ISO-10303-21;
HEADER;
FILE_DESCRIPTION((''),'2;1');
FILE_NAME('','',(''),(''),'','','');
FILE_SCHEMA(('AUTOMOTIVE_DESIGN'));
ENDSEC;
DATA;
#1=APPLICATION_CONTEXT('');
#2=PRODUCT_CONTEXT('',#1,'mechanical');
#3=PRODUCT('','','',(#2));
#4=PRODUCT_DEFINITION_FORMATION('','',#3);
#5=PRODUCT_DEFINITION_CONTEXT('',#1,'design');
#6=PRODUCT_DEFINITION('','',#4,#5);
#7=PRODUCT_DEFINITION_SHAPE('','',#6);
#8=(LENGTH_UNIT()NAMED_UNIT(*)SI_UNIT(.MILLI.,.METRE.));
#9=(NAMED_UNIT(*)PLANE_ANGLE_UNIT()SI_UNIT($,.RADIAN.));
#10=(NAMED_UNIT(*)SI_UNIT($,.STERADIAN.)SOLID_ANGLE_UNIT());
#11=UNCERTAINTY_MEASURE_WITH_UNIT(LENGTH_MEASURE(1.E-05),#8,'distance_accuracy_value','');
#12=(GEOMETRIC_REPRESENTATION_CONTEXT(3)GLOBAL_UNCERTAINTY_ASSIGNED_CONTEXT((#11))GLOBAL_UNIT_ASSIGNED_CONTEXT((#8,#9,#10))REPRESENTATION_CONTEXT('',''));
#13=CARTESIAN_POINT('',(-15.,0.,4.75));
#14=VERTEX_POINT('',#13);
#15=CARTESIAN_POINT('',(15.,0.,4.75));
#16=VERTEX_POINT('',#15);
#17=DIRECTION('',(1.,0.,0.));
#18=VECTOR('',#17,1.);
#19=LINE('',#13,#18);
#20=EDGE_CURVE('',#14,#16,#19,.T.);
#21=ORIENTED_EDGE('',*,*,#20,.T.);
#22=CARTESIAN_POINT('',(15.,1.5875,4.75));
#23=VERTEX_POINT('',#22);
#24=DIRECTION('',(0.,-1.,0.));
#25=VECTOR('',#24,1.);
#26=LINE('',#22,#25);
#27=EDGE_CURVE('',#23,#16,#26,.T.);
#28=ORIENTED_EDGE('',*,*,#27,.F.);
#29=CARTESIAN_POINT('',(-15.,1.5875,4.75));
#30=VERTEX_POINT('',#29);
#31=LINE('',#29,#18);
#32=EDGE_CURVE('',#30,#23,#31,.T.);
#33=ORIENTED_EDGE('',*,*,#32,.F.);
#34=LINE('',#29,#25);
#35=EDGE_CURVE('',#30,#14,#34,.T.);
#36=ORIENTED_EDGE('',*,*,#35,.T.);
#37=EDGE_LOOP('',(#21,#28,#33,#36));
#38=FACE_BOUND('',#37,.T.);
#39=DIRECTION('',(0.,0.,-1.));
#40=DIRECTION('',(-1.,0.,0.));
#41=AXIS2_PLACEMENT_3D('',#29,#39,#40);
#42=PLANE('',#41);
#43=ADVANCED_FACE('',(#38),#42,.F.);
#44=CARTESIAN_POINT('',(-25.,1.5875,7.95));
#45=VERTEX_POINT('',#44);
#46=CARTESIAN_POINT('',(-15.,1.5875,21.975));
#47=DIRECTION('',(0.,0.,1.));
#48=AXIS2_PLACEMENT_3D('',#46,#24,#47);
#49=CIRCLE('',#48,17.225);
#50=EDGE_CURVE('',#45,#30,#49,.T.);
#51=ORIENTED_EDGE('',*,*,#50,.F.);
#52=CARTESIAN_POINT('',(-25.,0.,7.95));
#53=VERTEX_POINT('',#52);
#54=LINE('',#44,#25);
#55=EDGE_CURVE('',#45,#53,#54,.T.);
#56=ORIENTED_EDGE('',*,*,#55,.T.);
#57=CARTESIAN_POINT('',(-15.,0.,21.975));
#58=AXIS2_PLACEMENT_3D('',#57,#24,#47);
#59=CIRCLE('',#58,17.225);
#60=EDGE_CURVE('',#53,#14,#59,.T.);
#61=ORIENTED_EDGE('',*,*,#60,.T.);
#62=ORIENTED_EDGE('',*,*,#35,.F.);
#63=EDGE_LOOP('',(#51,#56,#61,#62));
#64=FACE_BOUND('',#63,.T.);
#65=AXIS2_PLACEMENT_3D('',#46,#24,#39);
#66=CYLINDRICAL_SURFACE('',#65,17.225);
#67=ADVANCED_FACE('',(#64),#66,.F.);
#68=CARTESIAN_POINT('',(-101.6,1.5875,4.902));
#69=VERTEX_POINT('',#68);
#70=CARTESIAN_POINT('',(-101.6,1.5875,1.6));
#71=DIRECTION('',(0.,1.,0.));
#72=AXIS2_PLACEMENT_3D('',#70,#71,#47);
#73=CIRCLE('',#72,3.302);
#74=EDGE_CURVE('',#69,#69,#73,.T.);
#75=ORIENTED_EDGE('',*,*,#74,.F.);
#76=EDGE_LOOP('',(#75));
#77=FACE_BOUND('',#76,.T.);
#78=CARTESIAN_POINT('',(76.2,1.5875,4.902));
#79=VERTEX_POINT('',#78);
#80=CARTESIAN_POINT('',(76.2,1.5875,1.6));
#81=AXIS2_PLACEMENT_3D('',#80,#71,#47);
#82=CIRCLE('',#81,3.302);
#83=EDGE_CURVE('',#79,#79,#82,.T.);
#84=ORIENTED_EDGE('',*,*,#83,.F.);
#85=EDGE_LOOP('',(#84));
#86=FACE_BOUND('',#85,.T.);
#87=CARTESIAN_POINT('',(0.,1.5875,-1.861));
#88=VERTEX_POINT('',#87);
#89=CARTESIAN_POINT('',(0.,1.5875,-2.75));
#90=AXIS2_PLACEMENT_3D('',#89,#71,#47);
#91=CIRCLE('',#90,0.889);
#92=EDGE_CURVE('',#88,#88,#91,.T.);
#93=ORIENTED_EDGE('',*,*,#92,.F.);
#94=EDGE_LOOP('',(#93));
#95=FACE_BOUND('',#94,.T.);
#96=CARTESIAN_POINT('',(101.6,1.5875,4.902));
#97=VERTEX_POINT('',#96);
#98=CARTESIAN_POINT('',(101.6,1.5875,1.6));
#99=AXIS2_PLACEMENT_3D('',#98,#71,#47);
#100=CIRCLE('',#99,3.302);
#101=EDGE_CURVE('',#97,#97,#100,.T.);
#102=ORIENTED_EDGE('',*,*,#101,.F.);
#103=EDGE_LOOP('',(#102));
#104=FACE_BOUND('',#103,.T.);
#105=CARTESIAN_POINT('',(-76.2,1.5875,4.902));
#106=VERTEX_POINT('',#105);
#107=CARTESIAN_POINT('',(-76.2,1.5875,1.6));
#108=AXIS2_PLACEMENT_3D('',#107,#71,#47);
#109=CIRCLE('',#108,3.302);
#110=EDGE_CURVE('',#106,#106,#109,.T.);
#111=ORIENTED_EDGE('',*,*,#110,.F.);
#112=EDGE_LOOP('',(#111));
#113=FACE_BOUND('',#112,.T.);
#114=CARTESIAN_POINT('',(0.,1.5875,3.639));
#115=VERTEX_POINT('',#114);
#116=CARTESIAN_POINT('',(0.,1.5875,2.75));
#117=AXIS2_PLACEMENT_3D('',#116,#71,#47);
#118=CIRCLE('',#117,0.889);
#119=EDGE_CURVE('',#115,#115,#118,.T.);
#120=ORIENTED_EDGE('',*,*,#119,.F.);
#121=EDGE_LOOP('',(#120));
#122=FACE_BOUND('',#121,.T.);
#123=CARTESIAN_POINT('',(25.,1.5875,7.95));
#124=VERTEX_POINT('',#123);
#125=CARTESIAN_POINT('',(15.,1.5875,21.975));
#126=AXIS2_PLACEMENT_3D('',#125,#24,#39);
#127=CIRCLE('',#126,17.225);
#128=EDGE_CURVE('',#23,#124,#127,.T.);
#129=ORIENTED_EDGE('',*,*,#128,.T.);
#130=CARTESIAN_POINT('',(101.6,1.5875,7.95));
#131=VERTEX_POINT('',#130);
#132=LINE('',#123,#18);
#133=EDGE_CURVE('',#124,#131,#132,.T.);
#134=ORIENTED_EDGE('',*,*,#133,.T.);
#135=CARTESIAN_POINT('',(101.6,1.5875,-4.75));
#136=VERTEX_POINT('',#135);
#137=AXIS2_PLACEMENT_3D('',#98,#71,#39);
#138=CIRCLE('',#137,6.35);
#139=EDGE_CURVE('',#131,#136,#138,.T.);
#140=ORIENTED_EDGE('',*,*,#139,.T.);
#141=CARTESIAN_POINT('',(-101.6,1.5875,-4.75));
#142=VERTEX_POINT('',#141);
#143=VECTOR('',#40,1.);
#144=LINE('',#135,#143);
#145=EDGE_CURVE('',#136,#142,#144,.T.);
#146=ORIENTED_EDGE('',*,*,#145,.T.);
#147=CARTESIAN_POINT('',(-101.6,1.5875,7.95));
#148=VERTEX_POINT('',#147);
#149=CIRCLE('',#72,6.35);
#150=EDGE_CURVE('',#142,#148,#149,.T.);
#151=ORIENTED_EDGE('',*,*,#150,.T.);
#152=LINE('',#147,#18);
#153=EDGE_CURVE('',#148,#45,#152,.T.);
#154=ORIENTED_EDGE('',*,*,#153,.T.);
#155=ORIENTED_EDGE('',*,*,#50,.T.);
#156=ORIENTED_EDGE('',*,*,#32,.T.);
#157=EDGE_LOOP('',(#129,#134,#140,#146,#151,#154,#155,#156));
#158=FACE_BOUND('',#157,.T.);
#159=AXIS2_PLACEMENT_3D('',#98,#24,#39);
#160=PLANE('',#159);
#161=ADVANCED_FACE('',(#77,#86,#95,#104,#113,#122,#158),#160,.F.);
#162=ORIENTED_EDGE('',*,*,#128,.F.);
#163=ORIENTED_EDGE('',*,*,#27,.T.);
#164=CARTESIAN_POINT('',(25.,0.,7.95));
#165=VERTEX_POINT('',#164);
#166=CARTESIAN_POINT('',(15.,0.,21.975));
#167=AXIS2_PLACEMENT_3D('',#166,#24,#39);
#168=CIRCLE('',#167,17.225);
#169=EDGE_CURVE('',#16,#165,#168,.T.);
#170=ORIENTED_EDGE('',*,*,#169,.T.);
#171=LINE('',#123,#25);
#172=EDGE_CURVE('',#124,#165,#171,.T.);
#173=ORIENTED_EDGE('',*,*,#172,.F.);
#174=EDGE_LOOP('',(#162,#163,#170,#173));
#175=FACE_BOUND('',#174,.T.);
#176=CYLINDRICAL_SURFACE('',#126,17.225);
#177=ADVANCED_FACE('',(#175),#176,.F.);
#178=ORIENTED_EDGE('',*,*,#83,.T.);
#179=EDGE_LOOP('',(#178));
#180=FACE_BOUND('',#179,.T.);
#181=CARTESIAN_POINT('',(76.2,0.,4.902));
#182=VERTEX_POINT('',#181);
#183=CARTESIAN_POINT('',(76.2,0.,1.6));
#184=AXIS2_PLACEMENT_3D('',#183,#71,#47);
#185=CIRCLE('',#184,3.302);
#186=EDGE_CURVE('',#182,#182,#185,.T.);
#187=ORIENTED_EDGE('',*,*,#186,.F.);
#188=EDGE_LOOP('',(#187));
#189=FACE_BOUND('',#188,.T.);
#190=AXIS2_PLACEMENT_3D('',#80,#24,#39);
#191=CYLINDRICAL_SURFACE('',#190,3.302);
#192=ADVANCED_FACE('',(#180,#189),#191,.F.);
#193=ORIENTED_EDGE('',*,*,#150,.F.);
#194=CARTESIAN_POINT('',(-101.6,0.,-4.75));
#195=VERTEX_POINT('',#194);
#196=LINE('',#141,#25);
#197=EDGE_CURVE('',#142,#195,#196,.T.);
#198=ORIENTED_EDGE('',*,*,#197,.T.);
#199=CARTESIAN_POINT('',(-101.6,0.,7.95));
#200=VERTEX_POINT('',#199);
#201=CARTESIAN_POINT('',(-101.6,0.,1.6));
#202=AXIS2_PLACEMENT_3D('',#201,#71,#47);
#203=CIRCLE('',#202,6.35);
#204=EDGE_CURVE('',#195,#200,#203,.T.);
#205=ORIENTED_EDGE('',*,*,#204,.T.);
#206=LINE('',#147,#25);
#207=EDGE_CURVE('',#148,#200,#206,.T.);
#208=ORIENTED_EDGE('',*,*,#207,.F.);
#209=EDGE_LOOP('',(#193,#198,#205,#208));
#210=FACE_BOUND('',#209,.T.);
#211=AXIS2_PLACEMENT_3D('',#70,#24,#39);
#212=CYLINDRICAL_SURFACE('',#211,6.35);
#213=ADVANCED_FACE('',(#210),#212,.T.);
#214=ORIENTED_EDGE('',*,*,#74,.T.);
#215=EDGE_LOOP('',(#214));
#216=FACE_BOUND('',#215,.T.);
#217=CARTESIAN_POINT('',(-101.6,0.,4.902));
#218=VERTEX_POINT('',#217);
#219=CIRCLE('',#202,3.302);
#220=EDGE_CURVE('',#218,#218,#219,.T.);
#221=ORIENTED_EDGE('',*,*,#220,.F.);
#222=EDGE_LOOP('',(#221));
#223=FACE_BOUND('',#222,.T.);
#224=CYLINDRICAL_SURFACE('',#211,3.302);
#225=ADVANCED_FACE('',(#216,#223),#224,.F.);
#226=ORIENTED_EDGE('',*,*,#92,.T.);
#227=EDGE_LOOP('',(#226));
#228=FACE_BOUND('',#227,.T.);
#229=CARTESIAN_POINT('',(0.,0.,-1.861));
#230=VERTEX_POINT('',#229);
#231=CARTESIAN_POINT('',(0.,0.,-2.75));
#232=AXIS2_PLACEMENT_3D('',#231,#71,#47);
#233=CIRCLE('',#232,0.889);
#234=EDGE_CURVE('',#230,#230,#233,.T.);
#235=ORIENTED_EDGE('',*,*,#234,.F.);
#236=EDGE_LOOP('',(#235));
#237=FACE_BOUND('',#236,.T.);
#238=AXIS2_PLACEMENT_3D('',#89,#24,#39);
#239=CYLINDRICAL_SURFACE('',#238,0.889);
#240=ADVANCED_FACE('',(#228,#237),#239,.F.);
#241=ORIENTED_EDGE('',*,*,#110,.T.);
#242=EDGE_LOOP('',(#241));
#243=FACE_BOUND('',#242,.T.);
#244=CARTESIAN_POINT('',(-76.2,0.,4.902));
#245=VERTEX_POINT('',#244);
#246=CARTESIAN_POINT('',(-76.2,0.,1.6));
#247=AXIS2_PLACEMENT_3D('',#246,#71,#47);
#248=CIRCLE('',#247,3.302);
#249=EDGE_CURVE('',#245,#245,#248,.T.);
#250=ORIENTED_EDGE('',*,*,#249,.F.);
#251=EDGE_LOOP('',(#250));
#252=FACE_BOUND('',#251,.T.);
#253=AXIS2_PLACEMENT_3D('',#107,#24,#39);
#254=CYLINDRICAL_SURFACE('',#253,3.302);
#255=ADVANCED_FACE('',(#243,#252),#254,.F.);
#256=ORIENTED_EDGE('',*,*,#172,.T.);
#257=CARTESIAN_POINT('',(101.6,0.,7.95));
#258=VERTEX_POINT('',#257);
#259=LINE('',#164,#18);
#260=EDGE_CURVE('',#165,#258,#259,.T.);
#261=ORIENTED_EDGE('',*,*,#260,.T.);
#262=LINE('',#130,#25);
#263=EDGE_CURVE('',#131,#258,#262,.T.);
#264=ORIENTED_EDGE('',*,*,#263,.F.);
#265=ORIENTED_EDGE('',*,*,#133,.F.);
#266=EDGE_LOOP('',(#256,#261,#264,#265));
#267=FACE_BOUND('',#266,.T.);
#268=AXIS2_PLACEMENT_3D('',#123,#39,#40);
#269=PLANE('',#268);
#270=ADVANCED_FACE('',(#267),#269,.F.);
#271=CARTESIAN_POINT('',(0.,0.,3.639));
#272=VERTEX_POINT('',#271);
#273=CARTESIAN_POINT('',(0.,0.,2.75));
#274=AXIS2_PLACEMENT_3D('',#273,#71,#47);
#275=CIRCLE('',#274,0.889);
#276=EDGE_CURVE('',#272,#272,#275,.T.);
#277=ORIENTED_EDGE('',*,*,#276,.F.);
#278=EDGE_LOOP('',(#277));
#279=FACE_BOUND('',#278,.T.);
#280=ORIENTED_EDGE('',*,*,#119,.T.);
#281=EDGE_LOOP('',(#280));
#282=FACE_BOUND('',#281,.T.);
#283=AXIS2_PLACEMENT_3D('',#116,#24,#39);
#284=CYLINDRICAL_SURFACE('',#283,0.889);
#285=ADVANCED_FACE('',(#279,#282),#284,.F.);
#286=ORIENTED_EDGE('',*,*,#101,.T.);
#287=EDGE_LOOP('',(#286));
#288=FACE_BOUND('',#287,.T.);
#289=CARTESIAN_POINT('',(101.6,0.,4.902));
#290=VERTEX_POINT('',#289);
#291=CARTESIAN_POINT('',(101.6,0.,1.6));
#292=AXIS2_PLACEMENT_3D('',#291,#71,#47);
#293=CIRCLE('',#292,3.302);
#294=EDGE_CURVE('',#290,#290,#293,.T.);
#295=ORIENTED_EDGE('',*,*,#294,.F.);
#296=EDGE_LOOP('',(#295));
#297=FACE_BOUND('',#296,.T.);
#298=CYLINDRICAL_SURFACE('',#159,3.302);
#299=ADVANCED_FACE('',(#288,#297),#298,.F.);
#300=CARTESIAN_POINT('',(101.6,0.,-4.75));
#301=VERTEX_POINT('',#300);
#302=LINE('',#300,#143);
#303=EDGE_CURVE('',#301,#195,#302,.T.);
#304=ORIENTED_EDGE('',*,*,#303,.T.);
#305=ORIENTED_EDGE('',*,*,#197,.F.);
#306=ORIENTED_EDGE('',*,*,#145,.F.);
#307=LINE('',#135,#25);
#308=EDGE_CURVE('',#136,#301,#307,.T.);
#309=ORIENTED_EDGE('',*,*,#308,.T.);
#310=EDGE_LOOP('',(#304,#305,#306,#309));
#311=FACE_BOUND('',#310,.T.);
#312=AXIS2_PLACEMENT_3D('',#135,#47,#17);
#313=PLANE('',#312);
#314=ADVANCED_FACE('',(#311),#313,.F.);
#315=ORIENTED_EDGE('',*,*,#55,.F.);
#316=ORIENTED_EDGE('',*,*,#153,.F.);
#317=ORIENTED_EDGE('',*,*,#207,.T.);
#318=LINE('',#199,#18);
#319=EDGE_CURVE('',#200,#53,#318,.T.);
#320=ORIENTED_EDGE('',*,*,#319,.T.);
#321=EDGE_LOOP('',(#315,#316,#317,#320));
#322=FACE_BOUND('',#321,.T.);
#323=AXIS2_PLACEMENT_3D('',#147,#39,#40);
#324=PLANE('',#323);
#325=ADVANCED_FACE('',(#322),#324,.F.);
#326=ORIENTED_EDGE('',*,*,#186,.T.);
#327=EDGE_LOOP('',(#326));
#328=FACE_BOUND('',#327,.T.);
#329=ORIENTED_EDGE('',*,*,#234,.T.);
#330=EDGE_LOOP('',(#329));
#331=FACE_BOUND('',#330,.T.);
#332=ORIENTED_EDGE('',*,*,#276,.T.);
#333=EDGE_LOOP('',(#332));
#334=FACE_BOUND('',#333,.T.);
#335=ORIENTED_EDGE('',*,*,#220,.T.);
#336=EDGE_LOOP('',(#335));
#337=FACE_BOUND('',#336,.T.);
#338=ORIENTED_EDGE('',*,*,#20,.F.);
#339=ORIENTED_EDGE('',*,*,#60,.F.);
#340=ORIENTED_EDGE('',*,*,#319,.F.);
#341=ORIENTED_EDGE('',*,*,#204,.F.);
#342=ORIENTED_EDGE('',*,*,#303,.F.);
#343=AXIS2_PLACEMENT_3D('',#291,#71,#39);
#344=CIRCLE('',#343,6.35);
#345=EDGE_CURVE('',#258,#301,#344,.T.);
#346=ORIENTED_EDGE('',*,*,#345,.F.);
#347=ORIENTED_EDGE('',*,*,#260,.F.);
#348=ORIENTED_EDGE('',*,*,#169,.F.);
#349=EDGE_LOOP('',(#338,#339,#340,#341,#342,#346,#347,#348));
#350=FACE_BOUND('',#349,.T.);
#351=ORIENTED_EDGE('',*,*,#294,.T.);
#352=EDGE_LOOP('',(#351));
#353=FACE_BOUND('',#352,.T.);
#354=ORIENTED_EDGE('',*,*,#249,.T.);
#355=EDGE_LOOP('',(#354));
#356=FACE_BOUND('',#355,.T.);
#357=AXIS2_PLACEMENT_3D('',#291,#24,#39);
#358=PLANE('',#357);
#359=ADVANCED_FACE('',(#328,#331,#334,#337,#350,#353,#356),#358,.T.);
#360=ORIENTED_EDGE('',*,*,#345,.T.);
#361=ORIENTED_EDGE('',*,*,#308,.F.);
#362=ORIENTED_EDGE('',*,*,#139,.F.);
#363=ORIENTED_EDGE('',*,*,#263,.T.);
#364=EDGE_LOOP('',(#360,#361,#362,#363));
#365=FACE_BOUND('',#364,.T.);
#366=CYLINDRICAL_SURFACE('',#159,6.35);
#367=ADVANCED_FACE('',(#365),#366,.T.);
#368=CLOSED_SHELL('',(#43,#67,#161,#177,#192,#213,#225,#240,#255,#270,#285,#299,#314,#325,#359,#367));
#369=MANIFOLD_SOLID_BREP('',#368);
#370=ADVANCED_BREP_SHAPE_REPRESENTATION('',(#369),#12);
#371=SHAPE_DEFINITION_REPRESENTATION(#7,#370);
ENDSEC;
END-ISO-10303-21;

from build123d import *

# Parameters (mm, degrees)
SKETCH5_R           = 3.302
SKETCH5_R_2         = 0.889
BOSS_EXTRUDE1_DEPTH = 1.5875


with BuildPart() as part:
    # Sketch5 → Boss-Extrude1 (new body)
    with BuildSketch(Plane(origin=(0, 0, 0), x_dir=(1, 0, 0), z_dir=(0, 1, 0))):
        with BuildLine():
            Line((101.6, 4.75), (-101.6, 4.75))
            ThreePointArc((-101.6, 4.75), (-107.95, -1.6), (-101.6, -7.95))
            Line((-101.6, -7.95), (-25, -7.95))
            ThreePointArc((-25, -7.95), (-20.249761899, -5.569494064), (-15, -4.75))
            Line((-15, -4.75), (15, -4.75))
            ThreePointArc((15, -4.75), (20.249761899, -5.569494064), (25, -7.95))
            Line((25, -7.95), (101.6, -7.95))
            ThreePointArc((101.6, -7.95), (107.95, -1.6), (101.6, 4.75))
        make_face()
        with Locations(Location((-101.6, -1.6, 0), (0, 0, 270))):
            Circle(SKETCH5_R, mode=Mode.SUBTRACT)
        with Locations(Location((0, 2.75, 0), (0, 0, 270))):
            Circle(SKETCH5_R_2, mode=Mode.SUBTRACT)
        with Locations(Location((101.6, -1.6, 0), (0, 0, 270))):
            Circle(SKETCH5_R, mode=Mode.SUBTRACT)
        with Locations(Location((0, -2.75, 0), (0, 0, 270))):
            Circle(SKETCH5_R_2, mode=Mode.SUBTRACT)
        with Locations(Location((-76.2, -1.6, 0), (0, 0, 270))):
            Circle(SKETCH5_R, mode=Mode.SUBTRACT)
        with Locations(Location((76.2, -1.6, 0), (0, 0, 270))):
            Circle(SKETCH5_R, mode=Mode.SUBTRACT)
    extrude(amount=BOSS_EXTRUDE1_DEPTH)


solid = part.part
